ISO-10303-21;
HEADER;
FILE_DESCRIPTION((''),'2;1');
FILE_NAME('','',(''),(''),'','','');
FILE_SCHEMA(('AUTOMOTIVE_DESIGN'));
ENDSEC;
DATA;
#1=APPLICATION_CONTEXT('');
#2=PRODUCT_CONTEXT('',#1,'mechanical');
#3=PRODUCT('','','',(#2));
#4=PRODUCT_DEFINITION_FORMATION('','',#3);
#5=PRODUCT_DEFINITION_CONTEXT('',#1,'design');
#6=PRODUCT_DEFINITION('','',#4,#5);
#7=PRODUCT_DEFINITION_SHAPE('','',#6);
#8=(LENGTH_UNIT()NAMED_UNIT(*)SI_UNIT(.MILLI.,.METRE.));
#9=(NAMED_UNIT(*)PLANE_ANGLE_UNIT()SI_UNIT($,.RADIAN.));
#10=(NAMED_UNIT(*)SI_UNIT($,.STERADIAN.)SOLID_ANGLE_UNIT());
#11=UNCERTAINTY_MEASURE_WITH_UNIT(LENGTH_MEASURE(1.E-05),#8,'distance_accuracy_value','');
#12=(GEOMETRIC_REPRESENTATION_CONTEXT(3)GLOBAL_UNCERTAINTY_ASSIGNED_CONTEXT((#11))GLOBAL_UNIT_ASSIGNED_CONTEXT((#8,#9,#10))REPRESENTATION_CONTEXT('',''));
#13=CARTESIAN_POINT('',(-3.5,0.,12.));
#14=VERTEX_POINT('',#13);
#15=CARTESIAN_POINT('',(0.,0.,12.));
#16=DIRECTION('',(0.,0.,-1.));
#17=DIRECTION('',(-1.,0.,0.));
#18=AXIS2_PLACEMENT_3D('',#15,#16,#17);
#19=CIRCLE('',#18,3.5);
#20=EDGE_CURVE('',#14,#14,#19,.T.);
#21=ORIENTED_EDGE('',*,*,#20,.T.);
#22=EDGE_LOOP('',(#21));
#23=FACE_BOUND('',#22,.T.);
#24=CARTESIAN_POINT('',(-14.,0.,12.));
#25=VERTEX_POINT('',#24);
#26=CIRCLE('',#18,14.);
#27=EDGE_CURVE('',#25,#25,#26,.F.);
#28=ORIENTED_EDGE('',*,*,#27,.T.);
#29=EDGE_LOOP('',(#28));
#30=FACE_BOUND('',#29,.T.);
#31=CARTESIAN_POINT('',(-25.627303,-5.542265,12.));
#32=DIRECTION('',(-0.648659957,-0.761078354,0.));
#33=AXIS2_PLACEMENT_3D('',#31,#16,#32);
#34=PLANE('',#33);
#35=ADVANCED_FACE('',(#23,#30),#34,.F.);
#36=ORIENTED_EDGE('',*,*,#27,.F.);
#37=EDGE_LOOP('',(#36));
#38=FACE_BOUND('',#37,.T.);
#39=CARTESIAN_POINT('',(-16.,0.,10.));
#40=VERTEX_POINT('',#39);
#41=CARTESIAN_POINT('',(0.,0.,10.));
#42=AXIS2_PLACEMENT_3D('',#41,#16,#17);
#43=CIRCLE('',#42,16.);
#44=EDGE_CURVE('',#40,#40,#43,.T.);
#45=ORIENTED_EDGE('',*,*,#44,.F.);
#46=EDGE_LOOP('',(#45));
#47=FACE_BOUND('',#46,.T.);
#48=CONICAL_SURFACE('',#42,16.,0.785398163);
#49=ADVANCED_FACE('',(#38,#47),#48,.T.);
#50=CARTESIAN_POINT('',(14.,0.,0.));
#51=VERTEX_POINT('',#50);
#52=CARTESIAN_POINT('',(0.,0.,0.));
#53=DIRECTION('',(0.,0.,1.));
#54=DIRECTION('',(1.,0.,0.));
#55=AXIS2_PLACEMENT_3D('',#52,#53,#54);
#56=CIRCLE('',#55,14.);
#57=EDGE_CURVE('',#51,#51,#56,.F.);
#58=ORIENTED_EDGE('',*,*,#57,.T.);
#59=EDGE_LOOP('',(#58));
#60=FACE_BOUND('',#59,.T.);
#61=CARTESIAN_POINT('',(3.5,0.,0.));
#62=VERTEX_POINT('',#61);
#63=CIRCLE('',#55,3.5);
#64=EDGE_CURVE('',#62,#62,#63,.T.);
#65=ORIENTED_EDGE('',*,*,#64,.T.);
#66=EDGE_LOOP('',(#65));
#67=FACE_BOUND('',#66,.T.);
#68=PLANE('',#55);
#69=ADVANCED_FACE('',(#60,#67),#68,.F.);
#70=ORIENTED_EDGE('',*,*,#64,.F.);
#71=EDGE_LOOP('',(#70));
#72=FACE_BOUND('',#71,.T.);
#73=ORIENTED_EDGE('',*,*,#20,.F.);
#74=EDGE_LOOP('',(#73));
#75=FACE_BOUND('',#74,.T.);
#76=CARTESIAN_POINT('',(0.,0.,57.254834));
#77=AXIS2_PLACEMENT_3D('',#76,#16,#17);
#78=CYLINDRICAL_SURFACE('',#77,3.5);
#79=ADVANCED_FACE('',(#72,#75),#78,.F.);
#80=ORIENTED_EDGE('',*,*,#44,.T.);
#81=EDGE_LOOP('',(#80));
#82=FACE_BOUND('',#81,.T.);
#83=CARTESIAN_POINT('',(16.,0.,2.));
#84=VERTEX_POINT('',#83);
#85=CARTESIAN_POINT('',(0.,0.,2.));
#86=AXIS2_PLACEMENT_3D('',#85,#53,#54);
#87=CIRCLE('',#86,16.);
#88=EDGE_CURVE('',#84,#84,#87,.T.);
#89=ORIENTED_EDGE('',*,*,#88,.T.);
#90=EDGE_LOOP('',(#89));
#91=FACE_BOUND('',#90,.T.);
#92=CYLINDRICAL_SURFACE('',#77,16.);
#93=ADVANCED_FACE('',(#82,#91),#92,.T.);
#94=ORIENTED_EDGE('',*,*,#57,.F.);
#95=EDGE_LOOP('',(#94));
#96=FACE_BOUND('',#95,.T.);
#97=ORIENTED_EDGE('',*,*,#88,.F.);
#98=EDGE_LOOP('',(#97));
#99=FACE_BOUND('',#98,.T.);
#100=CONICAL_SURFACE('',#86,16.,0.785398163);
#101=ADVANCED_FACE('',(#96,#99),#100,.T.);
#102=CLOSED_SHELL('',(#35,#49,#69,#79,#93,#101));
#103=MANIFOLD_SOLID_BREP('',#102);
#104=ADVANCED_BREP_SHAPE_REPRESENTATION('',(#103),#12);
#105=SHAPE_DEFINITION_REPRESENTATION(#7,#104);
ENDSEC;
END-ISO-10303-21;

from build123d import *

# Parameters (mm, degrees)
ESQUISSE1_R          = 16
ESQUISSE1_R_2        = 3.5
BASE_EXTRUSION_DEPTH = 12
CHANFREIN1_SIZE      = 2


with BuildPart() as part:
    # Esquisse1 → Base-Extrusion (new body)
    with BuildSketch(Plane.XY):
        with Locations(Location((0, 0, 0), (0, 0, 180))):
            Circle(ESQUISSE1_R)
        with Locations(Location((0, 0, 0), (0, 0, 180))):
            Circle(ESQUISSE1_R_2, mode=Mode.SUBTRACT)
    extrude(amount=BASE_EXTRUSION_DEPTH)

    # Chanfrein1
    chanfrein1_edges = [part.edges().sort_by_distance(p)[0] for p in [
        (16, 0, 12),
        (16, 0, 0),
    ]]
    chamfer(chanfrein1_edges, length=CHANFREIN1_SIZE)


solid = part.part
